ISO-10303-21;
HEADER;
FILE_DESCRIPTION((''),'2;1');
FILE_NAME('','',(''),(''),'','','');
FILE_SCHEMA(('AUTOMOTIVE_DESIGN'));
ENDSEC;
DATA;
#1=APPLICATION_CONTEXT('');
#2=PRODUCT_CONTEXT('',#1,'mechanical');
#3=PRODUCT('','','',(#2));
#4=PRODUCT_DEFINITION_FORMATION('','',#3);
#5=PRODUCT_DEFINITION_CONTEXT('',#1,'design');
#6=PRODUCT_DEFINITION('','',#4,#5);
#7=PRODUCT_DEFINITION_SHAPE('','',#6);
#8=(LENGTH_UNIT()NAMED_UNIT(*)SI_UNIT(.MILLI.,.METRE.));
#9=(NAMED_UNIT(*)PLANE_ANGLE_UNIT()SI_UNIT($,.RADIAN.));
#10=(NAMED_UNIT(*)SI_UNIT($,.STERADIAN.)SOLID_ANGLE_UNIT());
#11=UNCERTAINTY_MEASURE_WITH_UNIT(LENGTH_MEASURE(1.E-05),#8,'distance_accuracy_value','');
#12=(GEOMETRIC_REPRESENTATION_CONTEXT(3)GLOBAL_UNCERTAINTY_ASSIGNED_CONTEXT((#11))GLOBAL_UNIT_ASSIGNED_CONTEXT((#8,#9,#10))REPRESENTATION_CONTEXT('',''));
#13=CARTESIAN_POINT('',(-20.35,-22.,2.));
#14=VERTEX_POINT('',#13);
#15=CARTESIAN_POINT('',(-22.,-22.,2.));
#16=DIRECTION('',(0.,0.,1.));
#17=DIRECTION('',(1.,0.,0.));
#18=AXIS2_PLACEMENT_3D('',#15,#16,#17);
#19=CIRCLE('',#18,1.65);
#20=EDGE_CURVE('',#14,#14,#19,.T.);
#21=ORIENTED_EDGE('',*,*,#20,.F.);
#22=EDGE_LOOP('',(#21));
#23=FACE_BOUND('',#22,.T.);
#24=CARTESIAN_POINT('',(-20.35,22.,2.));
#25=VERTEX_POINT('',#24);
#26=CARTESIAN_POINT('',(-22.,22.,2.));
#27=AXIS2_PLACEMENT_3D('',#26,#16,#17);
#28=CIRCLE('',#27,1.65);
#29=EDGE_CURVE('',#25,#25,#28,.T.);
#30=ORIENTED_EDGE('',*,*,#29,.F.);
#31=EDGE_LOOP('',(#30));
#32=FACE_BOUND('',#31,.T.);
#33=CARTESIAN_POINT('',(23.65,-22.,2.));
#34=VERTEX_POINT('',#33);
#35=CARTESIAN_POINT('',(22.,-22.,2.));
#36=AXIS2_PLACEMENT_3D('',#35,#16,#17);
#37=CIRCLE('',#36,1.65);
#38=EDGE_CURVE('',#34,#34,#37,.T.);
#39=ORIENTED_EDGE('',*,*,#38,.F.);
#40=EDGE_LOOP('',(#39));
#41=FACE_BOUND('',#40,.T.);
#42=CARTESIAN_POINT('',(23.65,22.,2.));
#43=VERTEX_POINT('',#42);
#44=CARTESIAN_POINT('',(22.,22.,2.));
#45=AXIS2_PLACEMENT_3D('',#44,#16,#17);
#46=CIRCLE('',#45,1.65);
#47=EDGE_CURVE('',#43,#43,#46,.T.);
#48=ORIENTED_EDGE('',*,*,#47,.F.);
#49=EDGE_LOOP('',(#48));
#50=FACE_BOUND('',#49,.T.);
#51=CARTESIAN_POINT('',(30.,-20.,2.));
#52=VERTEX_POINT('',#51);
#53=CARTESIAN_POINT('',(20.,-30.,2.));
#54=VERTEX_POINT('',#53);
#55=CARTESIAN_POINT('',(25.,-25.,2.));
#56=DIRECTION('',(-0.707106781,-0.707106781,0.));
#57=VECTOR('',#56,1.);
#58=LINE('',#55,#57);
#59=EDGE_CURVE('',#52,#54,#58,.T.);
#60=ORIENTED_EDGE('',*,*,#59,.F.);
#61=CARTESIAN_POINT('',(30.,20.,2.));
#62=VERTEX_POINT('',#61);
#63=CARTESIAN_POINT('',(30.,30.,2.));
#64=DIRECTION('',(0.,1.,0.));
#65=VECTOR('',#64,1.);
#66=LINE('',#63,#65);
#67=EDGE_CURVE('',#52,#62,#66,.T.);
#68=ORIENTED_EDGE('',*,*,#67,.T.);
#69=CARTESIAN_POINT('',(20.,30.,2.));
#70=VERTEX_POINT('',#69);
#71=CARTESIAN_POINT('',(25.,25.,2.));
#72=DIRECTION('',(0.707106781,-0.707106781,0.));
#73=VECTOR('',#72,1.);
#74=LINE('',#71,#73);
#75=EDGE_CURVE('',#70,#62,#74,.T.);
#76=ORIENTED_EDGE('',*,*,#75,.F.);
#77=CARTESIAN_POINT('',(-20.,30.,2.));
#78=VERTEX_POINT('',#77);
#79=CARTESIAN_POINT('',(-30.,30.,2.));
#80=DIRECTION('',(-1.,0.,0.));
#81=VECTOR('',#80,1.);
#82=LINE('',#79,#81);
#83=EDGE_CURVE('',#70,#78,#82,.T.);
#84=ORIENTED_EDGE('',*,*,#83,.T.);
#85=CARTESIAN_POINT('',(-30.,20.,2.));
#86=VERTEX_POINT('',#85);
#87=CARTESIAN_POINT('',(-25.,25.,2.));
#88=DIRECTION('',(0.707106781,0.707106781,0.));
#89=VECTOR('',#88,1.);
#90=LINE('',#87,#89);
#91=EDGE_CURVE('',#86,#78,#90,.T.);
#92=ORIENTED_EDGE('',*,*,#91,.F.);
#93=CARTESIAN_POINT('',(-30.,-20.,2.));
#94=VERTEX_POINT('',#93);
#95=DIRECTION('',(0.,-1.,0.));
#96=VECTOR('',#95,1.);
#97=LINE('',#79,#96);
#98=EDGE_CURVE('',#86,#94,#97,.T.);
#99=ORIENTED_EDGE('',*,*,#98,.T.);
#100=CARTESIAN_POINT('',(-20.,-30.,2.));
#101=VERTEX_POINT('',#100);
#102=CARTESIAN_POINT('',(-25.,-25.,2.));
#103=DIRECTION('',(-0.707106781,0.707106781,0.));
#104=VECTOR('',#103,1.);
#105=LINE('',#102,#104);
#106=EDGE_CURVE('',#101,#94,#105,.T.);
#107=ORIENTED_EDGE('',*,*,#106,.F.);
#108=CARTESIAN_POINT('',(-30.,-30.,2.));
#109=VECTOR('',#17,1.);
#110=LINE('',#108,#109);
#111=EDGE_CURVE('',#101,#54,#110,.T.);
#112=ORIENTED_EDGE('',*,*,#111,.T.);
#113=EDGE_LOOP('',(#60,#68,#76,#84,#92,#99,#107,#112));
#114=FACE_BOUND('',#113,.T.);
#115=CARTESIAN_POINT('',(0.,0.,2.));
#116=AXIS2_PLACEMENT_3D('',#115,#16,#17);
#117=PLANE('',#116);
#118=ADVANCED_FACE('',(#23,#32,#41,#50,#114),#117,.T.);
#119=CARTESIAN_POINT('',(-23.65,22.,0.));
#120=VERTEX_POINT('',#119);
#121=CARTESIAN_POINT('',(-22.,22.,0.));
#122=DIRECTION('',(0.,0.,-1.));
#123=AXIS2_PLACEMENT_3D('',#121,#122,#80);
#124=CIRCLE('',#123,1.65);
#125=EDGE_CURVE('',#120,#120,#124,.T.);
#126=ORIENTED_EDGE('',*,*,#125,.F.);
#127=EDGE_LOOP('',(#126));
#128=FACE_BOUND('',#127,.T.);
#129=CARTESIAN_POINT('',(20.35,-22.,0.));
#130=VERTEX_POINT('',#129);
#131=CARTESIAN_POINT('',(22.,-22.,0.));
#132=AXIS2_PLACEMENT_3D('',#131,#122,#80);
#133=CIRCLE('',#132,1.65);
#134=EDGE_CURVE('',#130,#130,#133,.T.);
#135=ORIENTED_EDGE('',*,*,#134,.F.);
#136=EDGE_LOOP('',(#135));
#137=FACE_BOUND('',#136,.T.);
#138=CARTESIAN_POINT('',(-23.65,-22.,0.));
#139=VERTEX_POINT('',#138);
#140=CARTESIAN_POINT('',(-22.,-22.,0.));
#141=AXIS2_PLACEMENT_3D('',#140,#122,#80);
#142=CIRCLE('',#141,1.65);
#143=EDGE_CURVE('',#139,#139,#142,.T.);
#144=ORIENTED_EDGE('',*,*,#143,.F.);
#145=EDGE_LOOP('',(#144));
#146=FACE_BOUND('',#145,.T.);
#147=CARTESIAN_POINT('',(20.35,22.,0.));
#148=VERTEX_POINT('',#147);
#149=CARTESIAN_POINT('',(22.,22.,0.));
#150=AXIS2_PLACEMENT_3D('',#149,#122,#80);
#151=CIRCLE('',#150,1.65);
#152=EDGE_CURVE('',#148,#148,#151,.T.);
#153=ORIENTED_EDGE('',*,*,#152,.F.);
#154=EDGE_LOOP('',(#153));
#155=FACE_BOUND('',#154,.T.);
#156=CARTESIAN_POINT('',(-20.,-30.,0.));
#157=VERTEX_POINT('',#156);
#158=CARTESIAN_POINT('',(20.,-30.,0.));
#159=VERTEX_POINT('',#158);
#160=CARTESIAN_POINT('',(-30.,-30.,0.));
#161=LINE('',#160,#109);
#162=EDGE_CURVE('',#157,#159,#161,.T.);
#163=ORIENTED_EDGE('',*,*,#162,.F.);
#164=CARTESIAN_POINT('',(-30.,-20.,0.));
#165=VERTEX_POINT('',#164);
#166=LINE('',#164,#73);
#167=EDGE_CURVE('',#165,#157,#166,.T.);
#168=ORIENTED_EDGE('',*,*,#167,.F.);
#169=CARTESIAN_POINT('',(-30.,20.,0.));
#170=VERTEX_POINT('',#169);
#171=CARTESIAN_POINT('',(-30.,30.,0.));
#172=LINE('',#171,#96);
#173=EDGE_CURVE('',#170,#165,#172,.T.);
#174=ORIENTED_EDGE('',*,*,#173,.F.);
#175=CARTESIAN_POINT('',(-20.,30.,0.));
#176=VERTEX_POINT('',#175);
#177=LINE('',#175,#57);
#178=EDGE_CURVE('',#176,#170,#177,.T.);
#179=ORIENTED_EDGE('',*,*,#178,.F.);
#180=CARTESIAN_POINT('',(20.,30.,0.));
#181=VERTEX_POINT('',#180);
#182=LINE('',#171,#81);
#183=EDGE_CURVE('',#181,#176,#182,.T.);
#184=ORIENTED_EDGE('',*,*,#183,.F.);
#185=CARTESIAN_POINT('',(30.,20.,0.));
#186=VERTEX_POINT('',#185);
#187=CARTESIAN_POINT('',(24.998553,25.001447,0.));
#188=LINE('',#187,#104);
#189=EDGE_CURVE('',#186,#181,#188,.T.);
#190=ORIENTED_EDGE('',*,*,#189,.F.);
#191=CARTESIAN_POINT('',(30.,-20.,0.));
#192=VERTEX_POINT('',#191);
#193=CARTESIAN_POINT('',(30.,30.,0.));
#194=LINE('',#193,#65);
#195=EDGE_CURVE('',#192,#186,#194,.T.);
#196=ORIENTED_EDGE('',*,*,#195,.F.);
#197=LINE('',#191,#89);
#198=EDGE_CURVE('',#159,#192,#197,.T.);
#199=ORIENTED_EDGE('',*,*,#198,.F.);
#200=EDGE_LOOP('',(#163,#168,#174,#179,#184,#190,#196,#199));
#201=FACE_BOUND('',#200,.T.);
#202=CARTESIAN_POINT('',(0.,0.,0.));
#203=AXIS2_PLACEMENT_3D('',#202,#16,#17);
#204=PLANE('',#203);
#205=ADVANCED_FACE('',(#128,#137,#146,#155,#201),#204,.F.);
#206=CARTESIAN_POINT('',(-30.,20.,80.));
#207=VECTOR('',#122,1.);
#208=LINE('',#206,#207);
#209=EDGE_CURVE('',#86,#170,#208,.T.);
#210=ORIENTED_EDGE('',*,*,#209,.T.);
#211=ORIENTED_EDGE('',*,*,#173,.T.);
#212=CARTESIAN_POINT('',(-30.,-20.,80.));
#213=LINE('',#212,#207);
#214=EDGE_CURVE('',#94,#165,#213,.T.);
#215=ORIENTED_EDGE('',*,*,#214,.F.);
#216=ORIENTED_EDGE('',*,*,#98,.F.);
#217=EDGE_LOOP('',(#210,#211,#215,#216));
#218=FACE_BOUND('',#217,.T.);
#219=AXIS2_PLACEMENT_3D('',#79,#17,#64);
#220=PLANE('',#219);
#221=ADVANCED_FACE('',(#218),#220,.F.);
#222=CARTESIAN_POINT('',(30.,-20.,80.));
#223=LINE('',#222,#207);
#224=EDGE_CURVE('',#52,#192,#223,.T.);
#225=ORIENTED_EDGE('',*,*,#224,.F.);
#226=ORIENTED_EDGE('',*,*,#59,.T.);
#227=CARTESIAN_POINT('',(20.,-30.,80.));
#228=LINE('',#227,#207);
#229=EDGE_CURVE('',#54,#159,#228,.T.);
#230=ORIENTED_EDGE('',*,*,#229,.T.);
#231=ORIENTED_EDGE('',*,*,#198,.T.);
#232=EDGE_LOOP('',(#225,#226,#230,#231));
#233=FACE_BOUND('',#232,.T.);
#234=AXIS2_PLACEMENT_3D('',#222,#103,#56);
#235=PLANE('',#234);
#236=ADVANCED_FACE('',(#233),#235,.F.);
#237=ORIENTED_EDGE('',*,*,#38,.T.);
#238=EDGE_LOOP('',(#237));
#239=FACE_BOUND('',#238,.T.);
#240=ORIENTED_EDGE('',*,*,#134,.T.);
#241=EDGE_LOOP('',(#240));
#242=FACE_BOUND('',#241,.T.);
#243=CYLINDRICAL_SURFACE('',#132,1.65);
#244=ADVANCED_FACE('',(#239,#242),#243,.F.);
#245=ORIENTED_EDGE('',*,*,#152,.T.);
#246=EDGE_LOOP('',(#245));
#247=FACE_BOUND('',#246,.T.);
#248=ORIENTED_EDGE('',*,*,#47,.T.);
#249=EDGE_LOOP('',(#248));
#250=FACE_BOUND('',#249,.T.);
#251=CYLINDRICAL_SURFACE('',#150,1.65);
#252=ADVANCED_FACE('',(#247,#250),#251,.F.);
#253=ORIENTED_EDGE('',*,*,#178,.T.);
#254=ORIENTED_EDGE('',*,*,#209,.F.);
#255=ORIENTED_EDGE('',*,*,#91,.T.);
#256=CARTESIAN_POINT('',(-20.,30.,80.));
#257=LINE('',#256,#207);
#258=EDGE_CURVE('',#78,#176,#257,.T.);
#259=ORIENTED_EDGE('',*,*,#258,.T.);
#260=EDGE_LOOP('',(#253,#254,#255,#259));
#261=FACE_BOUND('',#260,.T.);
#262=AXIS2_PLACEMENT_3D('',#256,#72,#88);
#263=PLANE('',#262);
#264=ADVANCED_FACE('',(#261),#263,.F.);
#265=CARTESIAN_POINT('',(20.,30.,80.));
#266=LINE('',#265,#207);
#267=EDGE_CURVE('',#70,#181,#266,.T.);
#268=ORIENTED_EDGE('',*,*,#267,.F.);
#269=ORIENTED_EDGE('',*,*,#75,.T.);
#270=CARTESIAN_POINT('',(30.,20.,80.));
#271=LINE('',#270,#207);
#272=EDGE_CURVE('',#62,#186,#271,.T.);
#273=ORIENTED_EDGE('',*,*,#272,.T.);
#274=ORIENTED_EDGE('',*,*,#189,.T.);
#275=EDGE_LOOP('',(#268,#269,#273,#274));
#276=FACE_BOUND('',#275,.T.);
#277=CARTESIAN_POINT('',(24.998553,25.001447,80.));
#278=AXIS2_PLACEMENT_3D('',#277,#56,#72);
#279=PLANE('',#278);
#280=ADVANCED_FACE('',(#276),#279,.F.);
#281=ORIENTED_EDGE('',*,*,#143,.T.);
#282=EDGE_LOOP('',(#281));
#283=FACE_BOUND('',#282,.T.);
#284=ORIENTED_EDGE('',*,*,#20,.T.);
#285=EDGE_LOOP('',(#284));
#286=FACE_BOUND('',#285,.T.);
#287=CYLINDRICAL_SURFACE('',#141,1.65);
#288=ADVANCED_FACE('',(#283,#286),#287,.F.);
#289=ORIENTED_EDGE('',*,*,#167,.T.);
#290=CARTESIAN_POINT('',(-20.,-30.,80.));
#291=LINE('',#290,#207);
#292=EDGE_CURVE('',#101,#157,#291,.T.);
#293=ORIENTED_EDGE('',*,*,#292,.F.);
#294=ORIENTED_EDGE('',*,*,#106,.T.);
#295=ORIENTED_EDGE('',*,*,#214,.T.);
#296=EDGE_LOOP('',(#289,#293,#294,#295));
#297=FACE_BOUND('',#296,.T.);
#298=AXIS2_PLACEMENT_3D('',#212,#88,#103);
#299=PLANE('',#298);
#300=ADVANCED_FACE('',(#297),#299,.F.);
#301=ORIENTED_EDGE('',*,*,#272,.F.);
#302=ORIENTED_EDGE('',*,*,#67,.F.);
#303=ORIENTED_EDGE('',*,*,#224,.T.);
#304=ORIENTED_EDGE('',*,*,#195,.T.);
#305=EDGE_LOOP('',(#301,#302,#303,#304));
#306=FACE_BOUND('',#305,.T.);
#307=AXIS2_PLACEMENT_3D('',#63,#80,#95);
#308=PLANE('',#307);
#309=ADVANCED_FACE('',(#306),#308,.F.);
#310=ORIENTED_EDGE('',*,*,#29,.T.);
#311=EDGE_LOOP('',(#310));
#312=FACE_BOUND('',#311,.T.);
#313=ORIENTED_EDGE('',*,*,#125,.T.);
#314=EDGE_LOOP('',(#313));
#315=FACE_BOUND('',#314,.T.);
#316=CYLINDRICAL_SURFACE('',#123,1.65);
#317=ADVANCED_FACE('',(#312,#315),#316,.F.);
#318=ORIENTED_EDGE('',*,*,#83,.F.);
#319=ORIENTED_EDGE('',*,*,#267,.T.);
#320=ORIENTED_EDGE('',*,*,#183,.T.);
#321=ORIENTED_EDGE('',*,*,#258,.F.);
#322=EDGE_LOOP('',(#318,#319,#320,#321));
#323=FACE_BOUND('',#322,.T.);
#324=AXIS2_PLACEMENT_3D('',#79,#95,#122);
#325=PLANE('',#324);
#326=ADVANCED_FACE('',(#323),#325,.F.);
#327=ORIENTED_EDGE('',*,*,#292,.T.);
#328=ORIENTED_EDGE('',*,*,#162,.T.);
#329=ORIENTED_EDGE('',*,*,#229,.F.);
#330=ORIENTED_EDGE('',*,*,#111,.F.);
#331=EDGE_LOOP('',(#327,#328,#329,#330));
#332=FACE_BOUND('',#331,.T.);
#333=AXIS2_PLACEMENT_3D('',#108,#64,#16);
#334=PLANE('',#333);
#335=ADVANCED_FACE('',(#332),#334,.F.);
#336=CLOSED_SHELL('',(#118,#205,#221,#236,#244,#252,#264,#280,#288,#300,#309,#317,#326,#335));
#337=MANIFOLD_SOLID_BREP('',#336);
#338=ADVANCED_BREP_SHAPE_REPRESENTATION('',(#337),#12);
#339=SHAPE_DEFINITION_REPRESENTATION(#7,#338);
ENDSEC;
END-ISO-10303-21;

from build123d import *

# Parameters (mm, degrees)
SKETCH_1_W          = 60
SKETCH_1_H          = 60
EXTRUDE_1_DEPTH     = 2
M4X0_7_1_D          = 3.3
M4X0_7_1_DEPTH      = 11.5
M4X0_7_1_TIP        = 0.991420021
CUT_EXTRUDE_1_DEPTH = 80


with BuildPart() as part:
    # ｽｹｯﾁ1 → ﾎﾞｽ - 押し出し1 (new body)
    with BuildSketch(Plane.XY):
        Rectangle(SKETCH_1_W, SKETCH_1_H)
    extrude(amount=EXTRUDE_1_DEPTH)

    # M4x0.7 ねじ穴1
    with Locations(Plane(origin=(22, 22, 0), x_dir=(-1, 0, 0), z_dir=(0, 0, -1))):
        with Locations((0, 0), (0, -44), (44, -44), (44, 0)):
            Hole(M4X0_7_1_D / 2, depth=M4X0_7_1_DEPTH)
            with Locations((0, 0, -(M4X0_7_1_DEPTH + M4X0_7_1_TIP / 2))):  # 118° drill point
                Cone(0, M4X0_7_1_D / 2, M4X0_7_1_TIP, mode=Mode.SUBTRACT)

    # ｽｹｯﾁ4 → ｶｯﾄ - 押し出し1 (cut)
    with BuildSketch(Plane(origin=(0, 0, 0), x_dir=(-1, 0, 0), z_dir=(0, 0, -1))):
        Polygon((-30, -30), (-30, -20), (-20, -30), align=None)
        Polygon((-24.998553068, 25.001446932), (-30, 20), (-30, 30), (-20, 30), align=None)
        Polygon((30, 30), (20, 30), (30, 20), align=None)
        Polygon((30, -30), (30, -20), (20, -30), align=None)
    extrude(amount=-CUT_EXTRUDE_1_DEPTH, mode=Mode.SUBTRACT)


solid = part.part
